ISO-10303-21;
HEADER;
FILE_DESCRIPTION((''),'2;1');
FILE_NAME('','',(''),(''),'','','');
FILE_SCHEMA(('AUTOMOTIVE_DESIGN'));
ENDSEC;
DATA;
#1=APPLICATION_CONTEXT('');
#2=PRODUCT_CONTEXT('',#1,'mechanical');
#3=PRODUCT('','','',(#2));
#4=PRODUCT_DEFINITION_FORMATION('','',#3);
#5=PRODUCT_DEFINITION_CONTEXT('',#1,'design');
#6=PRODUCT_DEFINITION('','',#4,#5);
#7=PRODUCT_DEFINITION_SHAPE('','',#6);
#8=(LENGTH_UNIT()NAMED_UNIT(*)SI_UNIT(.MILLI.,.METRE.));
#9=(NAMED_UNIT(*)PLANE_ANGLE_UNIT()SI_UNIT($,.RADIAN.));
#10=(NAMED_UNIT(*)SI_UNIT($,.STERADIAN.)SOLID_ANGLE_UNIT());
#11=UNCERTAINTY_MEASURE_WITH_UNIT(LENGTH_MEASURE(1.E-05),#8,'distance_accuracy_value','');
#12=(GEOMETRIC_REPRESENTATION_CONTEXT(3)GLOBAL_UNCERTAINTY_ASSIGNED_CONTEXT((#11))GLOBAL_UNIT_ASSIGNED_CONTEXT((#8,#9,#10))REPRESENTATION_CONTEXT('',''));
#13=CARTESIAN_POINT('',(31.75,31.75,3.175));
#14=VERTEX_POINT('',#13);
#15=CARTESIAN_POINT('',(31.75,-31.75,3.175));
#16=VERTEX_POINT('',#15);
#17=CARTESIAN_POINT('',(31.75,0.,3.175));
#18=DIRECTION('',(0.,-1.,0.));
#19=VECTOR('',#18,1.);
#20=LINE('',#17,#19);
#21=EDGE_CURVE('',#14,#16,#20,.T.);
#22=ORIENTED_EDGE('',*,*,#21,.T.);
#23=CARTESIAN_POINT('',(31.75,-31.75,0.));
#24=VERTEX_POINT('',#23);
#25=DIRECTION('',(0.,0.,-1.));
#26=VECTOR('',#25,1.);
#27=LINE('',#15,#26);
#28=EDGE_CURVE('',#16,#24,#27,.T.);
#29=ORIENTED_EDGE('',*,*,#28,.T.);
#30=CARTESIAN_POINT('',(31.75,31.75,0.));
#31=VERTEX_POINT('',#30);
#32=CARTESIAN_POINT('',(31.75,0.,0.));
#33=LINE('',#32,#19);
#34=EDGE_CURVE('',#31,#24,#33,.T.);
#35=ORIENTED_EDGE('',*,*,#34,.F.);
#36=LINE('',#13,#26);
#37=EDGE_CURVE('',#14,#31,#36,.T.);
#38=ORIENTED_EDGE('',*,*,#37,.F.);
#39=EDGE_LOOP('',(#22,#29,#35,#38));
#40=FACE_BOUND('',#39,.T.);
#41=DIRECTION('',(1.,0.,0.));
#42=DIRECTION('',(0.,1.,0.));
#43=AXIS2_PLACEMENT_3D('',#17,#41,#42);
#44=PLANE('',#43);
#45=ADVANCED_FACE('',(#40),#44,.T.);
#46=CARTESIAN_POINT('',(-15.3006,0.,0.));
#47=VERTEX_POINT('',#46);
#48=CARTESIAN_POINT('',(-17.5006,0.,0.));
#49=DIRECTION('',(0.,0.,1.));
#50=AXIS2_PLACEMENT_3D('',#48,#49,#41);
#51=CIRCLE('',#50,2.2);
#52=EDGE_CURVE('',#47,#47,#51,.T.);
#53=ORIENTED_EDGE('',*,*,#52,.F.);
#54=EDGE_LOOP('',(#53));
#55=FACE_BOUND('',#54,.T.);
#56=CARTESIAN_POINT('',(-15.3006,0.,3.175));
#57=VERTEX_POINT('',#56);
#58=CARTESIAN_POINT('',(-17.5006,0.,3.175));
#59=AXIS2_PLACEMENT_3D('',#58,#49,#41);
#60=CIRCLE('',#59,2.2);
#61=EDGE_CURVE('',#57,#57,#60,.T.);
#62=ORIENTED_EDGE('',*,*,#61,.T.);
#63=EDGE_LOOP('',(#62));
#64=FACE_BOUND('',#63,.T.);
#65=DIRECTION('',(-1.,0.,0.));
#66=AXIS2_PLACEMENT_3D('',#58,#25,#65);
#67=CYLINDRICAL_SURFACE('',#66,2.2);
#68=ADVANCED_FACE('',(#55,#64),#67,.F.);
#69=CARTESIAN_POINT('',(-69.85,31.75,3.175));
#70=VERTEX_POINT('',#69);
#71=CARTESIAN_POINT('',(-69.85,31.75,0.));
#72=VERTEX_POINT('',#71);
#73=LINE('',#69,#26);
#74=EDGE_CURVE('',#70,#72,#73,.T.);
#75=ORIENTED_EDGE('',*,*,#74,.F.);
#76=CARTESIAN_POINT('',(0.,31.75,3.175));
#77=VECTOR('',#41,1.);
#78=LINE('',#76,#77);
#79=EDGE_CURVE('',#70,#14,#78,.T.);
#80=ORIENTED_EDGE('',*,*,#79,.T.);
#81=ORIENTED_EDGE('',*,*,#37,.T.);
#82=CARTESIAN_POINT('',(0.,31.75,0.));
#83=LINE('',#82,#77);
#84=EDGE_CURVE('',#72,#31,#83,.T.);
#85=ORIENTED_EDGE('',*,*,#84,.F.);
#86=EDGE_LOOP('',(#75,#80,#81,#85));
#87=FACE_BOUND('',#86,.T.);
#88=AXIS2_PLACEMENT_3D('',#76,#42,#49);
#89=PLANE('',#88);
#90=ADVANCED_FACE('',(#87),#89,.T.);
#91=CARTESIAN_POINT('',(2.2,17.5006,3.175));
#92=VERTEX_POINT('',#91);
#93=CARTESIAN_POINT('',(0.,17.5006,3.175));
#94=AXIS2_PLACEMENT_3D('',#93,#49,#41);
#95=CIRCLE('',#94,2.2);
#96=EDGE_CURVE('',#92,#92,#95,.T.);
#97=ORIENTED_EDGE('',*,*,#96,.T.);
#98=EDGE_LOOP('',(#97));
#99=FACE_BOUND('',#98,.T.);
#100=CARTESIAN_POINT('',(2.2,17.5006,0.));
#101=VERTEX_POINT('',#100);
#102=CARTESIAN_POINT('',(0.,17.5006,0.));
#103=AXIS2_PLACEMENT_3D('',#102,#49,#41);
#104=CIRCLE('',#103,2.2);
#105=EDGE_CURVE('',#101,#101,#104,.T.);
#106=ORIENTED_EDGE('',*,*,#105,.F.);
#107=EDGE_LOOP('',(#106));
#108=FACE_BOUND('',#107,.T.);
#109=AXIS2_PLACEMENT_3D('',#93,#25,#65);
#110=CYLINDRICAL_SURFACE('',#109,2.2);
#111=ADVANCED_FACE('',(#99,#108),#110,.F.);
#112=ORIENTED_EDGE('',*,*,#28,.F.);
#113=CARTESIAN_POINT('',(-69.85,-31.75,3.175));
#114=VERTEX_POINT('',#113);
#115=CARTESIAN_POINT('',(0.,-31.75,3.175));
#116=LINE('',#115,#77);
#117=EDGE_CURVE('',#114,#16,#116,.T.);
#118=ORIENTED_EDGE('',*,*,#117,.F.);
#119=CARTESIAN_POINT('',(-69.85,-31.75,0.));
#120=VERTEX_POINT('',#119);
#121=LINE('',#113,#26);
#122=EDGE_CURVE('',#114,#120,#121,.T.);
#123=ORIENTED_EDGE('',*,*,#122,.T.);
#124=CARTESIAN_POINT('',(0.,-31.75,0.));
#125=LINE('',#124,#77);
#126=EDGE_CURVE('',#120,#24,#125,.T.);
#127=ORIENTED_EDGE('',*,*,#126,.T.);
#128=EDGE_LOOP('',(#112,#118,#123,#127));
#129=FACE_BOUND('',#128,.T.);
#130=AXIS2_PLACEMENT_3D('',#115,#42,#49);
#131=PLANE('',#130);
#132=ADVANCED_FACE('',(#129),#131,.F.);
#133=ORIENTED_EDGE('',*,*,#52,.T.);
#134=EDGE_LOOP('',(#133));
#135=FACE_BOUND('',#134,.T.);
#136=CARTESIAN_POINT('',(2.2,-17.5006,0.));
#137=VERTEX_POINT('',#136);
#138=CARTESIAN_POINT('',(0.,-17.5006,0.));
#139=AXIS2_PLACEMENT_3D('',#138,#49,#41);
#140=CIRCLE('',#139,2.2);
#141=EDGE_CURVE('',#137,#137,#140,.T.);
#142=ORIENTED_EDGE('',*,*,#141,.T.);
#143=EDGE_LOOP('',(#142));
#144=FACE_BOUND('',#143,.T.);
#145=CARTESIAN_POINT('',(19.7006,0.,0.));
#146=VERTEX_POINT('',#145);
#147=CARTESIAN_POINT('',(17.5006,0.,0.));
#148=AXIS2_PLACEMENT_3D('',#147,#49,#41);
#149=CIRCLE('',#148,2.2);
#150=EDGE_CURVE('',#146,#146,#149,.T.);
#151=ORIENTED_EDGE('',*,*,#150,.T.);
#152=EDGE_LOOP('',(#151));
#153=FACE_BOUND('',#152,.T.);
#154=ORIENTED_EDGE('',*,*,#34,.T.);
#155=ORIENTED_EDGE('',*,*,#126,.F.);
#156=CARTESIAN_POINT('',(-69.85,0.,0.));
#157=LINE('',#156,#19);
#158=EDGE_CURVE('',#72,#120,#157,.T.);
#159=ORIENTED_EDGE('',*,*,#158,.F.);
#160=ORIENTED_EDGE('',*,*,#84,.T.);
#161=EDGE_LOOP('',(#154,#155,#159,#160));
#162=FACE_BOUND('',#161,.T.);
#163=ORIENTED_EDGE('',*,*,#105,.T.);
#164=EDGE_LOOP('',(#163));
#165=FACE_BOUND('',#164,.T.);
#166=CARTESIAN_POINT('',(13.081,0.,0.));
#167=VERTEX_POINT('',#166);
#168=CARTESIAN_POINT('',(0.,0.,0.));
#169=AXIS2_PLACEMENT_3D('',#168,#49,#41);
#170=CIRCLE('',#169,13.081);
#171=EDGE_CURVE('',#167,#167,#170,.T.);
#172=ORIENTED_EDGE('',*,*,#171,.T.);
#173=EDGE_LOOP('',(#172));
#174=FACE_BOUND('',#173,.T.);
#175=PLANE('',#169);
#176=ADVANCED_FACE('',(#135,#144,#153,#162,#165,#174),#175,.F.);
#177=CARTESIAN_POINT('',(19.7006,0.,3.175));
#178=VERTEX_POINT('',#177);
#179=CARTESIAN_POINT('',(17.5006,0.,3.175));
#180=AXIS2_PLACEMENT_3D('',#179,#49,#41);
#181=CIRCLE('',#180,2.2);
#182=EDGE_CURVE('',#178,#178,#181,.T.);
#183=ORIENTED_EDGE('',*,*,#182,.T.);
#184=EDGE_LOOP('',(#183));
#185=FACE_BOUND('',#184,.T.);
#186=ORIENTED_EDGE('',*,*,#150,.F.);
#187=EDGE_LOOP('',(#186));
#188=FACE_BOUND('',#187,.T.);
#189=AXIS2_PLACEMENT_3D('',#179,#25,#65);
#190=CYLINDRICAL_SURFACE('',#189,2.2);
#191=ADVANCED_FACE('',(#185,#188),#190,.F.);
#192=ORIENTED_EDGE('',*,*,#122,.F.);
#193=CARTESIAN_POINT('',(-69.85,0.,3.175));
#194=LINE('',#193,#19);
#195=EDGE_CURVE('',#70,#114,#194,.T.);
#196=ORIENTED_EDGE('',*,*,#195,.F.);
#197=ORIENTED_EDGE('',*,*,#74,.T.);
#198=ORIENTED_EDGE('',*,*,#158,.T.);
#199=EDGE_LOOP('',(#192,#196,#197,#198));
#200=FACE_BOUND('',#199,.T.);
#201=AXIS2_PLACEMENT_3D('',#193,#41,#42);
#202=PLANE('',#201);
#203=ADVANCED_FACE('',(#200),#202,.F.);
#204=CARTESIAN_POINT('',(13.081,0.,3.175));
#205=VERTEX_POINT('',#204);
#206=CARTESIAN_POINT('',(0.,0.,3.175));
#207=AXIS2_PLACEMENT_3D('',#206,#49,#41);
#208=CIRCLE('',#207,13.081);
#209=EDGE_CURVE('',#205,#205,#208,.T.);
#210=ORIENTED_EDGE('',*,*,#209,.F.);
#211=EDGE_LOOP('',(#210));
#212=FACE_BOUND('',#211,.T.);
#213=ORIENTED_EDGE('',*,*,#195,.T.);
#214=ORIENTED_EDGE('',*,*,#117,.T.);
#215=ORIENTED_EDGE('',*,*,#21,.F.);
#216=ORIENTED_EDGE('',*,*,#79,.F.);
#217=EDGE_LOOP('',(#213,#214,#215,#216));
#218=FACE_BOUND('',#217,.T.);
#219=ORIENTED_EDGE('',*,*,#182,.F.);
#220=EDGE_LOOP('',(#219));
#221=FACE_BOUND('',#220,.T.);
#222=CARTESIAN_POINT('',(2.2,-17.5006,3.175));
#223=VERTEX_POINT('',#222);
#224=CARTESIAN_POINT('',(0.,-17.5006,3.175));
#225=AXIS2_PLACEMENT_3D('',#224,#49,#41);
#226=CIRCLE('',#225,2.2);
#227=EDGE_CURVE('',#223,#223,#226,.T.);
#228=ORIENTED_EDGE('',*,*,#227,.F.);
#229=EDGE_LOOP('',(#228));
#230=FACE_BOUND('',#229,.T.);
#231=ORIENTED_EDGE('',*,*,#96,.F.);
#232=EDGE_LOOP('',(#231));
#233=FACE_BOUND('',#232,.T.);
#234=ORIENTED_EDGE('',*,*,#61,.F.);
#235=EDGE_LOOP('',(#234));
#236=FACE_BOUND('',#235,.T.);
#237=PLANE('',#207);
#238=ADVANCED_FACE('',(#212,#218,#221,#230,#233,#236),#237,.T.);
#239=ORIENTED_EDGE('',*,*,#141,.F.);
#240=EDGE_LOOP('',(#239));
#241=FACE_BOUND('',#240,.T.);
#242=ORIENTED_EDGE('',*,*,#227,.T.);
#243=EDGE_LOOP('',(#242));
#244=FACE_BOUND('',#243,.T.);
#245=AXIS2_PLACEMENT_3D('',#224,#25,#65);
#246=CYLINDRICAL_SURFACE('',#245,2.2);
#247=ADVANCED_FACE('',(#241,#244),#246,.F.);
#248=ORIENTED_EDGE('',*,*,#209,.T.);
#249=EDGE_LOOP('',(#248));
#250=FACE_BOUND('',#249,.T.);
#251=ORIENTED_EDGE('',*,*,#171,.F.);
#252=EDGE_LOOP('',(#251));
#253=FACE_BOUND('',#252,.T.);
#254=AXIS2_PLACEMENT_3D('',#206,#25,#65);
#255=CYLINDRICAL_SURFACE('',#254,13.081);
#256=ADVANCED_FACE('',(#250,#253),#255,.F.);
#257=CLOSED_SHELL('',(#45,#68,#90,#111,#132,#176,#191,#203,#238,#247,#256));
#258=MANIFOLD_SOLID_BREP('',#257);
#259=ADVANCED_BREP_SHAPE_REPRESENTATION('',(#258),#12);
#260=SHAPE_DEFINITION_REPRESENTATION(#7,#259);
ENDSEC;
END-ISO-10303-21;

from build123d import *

# Parameters (mm, degrees)
SKETCH1_W           = 101.6
SKETCH1_H           = 63.5
SKETCH1_R           = 2.2
SKETCH1_R_2         = 13.081
BOSS_EXTRUDE1_DEPTH = 3.175


with BuildPart() as part:
    # Sketch1 → Boss-Extrude1 (new body)
    with BuildSketch(Plane.XY):
        with Locations((-19.05, 0)):
            Rectangle(SKETCH1_W, SKETCH1_H)
        with Locations((0, 17.5006)):
            Circle(SKETCH1_R, mode=Mode.SUBTRACT)
        with Locations((17.5006, 0)):
            Circle(SKETCH1_R, mode=Mode.SUBTRACT)
        with Locations((0, -17.5006)):
            Circle(SKETCH1_R, mode=Mode.SUBTRACT)
        with Locations((-17.5006, 0)):
            Circle(SKETCH1_R, mode=Mode.SUBTRACT)
        Circle(SKETCH1_R_2, mode=Mode.SUBTRACT)
    extrude(amount=BOSS_EXTRUDE1_DEPTH)


solid = part.part
